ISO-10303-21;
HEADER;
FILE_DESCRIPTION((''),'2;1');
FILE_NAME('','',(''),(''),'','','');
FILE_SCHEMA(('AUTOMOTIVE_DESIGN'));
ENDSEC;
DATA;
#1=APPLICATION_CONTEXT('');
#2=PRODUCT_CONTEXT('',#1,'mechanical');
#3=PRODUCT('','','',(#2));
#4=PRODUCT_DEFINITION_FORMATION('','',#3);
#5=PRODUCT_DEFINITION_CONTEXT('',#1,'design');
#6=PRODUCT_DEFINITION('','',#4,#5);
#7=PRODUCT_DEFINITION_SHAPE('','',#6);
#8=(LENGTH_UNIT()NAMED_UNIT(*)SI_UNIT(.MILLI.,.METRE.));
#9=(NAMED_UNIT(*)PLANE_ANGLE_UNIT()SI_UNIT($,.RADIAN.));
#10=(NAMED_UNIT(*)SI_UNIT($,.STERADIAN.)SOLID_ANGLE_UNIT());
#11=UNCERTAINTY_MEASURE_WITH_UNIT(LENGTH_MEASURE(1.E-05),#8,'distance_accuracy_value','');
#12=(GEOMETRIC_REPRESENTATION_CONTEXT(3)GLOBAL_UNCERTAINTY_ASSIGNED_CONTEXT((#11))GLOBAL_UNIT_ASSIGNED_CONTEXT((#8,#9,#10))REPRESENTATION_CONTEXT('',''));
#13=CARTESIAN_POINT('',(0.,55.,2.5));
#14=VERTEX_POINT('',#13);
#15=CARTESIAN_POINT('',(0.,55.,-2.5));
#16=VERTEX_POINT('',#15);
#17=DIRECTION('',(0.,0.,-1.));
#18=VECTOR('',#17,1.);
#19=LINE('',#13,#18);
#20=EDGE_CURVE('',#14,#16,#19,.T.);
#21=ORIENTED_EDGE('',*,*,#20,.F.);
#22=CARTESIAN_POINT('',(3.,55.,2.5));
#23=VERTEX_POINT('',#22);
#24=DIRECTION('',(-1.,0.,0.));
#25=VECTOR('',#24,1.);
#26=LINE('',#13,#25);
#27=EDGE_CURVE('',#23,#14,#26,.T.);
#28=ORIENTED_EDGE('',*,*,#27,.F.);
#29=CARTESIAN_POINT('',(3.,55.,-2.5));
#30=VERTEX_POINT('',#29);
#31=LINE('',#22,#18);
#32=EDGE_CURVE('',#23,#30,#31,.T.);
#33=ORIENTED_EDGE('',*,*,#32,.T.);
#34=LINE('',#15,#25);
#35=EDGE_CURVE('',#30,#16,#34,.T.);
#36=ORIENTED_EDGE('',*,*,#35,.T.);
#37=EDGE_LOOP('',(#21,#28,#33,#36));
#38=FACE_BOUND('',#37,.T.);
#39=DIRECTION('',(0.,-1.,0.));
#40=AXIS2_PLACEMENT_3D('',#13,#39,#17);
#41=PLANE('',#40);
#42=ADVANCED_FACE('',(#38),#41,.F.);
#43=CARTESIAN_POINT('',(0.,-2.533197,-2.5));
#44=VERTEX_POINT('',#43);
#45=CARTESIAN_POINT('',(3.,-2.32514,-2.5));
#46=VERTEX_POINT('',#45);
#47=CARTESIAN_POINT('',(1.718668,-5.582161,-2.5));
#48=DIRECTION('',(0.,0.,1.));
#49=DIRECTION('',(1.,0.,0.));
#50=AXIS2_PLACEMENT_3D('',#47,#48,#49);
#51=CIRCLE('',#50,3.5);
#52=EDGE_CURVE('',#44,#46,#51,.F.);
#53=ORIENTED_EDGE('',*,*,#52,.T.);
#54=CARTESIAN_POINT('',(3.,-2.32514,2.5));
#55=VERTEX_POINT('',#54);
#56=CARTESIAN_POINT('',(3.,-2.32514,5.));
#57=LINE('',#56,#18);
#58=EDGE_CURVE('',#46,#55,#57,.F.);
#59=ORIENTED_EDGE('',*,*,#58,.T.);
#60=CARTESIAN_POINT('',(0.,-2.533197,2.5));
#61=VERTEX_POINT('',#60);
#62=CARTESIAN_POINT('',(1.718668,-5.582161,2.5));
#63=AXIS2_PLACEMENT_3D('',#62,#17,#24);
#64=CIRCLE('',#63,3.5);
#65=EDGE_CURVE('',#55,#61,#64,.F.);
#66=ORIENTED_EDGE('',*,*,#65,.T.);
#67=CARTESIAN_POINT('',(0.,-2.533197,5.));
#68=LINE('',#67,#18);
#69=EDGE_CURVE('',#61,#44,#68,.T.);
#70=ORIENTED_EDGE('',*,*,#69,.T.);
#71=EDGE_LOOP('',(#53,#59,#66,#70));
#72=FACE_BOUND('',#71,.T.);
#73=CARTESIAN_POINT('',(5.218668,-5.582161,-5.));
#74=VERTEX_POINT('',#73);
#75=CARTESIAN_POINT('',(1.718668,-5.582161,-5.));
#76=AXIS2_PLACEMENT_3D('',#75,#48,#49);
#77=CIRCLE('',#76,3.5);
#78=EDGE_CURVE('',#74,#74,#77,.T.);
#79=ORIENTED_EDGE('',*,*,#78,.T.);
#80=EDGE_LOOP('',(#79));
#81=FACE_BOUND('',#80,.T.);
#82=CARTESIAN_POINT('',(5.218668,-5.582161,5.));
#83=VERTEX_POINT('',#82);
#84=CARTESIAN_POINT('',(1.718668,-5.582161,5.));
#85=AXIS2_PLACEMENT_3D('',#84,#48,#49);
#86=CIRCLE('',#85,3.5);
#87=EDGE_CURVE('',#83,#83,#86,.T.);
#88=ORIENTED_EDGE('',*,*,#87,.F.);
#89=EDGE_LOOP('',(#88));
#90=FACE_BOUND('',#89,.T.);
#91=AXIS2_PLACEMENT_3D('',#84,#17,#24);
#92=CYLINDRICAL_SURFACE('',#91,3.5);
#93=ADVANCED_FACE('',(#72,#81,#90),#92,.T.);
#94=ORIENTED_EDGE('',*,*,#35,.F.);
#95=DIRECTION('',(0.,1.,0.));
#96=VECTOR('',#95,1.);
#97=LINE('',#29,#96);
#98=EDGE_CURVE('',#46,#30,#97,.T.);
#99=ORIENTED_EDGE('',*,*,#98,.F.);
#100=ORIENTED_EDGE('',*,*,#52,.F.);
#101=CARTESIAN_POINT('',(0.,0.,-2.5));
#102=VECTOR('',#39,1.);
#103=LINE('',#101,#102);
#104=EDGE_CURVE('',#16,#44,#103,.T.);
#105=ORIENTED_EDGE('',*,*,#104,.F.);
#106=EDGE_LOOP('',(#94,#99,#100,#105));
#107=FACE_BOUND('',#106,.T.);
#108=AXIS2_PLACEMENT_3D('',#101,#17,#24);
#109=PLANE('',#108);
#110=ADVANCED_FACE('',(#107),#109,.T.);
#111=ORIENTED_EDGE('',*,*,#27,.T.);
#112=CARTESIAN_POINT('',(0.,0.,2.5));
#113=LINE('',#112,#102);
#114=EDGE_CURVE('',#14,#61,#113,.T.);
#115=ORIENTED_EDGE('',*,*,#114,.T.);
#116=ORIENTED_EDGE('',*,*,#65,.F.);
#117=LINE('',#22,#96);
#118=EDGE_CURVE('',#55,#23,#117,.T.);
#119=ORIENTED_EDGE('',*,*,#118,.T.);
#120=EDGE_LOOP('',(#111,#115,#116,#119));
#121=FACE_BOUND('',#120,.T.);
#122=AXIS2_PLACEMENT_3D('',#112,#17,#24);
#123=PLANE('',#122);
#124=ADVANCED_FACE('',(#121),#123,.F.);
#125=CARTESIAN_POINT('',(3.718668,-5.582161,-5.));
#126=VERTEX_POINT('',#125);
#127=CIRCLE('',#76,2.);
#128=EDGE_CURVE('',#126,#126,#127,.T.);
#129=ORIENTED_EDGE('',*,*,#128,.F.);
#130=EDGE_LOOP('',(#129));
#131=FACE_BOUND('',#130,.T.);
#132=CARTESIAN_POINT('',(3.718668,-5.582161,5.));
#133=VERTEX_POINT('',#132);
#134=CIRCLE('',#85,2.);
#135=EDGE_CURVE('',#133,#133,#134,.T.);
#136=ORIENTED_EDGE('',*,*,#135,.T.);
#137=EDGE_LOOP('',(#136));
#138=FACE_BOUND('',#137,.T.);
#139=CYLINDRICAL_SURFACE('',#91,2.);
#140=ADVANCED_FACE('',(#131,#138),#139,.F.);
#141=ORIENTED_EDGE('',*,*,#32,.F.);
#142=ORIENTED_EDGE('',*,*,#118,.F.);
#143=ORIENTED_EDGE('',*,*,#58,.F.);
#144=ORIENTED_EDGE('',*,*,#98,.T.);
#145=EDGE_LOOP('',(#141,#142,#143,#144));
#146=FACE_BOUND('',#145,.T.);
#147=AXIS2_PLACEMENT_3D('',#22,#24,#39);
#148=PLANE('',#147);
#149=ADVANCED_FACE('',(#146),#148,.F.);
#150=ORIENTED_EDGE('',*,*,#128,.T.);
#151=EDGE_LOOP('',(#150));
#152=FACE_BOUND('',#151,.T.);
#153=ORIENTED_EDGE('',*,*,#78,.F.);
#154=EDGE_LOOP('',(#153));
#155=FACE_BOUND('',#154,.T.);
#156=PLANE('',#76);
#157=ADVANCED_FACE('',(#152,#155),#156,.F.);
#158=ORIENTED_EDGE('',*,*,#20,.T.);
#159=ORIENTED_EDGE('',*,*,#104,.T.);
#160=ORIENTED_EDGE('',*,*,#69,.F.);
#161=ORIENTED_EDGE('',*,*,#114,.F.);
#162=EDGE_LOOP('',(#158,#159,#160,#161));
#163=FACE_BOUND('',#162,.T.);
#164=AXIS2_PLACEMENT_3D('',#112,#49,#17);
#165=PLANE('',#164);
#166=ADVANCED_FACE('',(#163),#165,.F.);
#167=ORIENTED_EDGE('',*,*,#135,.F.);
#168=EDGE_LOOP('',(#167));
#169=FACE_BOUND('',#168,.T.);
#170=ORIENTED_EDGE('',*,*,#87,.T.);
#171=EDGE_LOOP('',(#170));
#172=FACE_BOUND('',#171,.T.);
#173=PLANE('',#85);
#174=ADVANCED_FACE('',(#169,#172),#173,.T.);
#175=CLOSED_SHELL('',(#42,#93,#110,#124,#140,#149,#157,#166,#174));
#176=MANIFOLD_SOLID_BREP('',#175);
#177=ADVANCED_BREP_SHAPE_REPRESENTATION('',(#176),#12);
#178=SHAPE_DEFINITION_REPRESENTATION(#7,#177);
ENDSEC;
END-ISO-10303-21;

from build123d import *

# Parameters (mm, degrees)
ESQUISSE1_W             = 3
ESQUISSE1_H             = 55
BOSS_EXTRU_1_DEPTH      = 2.5
ESQUISSE2_R             = 3.5
ESQUISSE2_R_2           = 2
BOSS_EXTRU_2_DEPTH      = 5
BOSS_EXTRU_3_REACH      = 57.473
BOSS_EXTRU_3_END_RADIUS = 2
ESQUISSE3_W             = 3
ESQUISSE3_H             = 5


with BuildPart() as part:
    # Esquisse1 → Boss.-Extru.1 (new, symmetric)
    with BuildSketch(Plane.XY):
        with Locations((1.5, 27.5)):
            Rectangle(ESQUISSE1_W, ESQUISSE1_H)
    extrude(amount=BOSS_EXTRU_1_DEPTH, both=True)



with BuildPart() as body_2:
    # Esquisse2 → Boss.-Extru.2 (new, symmetric)
    with BuildSketch(Plane.XY):
        with Locations((1.718667593, -5.582160954)):
            Circle(ESQUISSE2_R)
        with Locations((1.718667593, -5.582160954)):
            Circle(ESQUISSE2_R_2, mode=Mode.SUBTRACT)
    extrude(amount=BOSS_EXTRU_2_DEPTH, both=True)


with BuildPart() as part_1:
    add(part.part)

    add(body_2.part)  # Boss.-Extru.3 merges body 2
    # Boss.-Extru.3: up to this cylinder (the profile starts outside it)
    boss_extru_3_end = Plane(origin=(1.718667593, -5.582160954, 0), z_dir=(0, 0, -1)) * Cylinder(BOSS_EXTRU_3_END_RADIUS, 119.946, mode=Mode.PRIVATE)
    # Esquisse3 → Boss.-Extru.3 (add, up to the surface)
    with BuildSketch(Plane.XZ, mode=Mode.PRIVATE) as boss_extru_3_sk1:
        with Locations((1.5, 0)):
            Rectangle(ESQUISSE3_W, ESQUISSE3_H)
    boss_extru_3_tool1 = extrude(boss_extru_3_sk1.sketch, amount=BOSS_EXTRU_3_REACH, mode=Mode.PRIVATE) - boss_extru_3_end
    add(boss_extru_3_tool1.solids().sort_by_distance((1.5, 0, 0))[0])


solid = part_1.part
